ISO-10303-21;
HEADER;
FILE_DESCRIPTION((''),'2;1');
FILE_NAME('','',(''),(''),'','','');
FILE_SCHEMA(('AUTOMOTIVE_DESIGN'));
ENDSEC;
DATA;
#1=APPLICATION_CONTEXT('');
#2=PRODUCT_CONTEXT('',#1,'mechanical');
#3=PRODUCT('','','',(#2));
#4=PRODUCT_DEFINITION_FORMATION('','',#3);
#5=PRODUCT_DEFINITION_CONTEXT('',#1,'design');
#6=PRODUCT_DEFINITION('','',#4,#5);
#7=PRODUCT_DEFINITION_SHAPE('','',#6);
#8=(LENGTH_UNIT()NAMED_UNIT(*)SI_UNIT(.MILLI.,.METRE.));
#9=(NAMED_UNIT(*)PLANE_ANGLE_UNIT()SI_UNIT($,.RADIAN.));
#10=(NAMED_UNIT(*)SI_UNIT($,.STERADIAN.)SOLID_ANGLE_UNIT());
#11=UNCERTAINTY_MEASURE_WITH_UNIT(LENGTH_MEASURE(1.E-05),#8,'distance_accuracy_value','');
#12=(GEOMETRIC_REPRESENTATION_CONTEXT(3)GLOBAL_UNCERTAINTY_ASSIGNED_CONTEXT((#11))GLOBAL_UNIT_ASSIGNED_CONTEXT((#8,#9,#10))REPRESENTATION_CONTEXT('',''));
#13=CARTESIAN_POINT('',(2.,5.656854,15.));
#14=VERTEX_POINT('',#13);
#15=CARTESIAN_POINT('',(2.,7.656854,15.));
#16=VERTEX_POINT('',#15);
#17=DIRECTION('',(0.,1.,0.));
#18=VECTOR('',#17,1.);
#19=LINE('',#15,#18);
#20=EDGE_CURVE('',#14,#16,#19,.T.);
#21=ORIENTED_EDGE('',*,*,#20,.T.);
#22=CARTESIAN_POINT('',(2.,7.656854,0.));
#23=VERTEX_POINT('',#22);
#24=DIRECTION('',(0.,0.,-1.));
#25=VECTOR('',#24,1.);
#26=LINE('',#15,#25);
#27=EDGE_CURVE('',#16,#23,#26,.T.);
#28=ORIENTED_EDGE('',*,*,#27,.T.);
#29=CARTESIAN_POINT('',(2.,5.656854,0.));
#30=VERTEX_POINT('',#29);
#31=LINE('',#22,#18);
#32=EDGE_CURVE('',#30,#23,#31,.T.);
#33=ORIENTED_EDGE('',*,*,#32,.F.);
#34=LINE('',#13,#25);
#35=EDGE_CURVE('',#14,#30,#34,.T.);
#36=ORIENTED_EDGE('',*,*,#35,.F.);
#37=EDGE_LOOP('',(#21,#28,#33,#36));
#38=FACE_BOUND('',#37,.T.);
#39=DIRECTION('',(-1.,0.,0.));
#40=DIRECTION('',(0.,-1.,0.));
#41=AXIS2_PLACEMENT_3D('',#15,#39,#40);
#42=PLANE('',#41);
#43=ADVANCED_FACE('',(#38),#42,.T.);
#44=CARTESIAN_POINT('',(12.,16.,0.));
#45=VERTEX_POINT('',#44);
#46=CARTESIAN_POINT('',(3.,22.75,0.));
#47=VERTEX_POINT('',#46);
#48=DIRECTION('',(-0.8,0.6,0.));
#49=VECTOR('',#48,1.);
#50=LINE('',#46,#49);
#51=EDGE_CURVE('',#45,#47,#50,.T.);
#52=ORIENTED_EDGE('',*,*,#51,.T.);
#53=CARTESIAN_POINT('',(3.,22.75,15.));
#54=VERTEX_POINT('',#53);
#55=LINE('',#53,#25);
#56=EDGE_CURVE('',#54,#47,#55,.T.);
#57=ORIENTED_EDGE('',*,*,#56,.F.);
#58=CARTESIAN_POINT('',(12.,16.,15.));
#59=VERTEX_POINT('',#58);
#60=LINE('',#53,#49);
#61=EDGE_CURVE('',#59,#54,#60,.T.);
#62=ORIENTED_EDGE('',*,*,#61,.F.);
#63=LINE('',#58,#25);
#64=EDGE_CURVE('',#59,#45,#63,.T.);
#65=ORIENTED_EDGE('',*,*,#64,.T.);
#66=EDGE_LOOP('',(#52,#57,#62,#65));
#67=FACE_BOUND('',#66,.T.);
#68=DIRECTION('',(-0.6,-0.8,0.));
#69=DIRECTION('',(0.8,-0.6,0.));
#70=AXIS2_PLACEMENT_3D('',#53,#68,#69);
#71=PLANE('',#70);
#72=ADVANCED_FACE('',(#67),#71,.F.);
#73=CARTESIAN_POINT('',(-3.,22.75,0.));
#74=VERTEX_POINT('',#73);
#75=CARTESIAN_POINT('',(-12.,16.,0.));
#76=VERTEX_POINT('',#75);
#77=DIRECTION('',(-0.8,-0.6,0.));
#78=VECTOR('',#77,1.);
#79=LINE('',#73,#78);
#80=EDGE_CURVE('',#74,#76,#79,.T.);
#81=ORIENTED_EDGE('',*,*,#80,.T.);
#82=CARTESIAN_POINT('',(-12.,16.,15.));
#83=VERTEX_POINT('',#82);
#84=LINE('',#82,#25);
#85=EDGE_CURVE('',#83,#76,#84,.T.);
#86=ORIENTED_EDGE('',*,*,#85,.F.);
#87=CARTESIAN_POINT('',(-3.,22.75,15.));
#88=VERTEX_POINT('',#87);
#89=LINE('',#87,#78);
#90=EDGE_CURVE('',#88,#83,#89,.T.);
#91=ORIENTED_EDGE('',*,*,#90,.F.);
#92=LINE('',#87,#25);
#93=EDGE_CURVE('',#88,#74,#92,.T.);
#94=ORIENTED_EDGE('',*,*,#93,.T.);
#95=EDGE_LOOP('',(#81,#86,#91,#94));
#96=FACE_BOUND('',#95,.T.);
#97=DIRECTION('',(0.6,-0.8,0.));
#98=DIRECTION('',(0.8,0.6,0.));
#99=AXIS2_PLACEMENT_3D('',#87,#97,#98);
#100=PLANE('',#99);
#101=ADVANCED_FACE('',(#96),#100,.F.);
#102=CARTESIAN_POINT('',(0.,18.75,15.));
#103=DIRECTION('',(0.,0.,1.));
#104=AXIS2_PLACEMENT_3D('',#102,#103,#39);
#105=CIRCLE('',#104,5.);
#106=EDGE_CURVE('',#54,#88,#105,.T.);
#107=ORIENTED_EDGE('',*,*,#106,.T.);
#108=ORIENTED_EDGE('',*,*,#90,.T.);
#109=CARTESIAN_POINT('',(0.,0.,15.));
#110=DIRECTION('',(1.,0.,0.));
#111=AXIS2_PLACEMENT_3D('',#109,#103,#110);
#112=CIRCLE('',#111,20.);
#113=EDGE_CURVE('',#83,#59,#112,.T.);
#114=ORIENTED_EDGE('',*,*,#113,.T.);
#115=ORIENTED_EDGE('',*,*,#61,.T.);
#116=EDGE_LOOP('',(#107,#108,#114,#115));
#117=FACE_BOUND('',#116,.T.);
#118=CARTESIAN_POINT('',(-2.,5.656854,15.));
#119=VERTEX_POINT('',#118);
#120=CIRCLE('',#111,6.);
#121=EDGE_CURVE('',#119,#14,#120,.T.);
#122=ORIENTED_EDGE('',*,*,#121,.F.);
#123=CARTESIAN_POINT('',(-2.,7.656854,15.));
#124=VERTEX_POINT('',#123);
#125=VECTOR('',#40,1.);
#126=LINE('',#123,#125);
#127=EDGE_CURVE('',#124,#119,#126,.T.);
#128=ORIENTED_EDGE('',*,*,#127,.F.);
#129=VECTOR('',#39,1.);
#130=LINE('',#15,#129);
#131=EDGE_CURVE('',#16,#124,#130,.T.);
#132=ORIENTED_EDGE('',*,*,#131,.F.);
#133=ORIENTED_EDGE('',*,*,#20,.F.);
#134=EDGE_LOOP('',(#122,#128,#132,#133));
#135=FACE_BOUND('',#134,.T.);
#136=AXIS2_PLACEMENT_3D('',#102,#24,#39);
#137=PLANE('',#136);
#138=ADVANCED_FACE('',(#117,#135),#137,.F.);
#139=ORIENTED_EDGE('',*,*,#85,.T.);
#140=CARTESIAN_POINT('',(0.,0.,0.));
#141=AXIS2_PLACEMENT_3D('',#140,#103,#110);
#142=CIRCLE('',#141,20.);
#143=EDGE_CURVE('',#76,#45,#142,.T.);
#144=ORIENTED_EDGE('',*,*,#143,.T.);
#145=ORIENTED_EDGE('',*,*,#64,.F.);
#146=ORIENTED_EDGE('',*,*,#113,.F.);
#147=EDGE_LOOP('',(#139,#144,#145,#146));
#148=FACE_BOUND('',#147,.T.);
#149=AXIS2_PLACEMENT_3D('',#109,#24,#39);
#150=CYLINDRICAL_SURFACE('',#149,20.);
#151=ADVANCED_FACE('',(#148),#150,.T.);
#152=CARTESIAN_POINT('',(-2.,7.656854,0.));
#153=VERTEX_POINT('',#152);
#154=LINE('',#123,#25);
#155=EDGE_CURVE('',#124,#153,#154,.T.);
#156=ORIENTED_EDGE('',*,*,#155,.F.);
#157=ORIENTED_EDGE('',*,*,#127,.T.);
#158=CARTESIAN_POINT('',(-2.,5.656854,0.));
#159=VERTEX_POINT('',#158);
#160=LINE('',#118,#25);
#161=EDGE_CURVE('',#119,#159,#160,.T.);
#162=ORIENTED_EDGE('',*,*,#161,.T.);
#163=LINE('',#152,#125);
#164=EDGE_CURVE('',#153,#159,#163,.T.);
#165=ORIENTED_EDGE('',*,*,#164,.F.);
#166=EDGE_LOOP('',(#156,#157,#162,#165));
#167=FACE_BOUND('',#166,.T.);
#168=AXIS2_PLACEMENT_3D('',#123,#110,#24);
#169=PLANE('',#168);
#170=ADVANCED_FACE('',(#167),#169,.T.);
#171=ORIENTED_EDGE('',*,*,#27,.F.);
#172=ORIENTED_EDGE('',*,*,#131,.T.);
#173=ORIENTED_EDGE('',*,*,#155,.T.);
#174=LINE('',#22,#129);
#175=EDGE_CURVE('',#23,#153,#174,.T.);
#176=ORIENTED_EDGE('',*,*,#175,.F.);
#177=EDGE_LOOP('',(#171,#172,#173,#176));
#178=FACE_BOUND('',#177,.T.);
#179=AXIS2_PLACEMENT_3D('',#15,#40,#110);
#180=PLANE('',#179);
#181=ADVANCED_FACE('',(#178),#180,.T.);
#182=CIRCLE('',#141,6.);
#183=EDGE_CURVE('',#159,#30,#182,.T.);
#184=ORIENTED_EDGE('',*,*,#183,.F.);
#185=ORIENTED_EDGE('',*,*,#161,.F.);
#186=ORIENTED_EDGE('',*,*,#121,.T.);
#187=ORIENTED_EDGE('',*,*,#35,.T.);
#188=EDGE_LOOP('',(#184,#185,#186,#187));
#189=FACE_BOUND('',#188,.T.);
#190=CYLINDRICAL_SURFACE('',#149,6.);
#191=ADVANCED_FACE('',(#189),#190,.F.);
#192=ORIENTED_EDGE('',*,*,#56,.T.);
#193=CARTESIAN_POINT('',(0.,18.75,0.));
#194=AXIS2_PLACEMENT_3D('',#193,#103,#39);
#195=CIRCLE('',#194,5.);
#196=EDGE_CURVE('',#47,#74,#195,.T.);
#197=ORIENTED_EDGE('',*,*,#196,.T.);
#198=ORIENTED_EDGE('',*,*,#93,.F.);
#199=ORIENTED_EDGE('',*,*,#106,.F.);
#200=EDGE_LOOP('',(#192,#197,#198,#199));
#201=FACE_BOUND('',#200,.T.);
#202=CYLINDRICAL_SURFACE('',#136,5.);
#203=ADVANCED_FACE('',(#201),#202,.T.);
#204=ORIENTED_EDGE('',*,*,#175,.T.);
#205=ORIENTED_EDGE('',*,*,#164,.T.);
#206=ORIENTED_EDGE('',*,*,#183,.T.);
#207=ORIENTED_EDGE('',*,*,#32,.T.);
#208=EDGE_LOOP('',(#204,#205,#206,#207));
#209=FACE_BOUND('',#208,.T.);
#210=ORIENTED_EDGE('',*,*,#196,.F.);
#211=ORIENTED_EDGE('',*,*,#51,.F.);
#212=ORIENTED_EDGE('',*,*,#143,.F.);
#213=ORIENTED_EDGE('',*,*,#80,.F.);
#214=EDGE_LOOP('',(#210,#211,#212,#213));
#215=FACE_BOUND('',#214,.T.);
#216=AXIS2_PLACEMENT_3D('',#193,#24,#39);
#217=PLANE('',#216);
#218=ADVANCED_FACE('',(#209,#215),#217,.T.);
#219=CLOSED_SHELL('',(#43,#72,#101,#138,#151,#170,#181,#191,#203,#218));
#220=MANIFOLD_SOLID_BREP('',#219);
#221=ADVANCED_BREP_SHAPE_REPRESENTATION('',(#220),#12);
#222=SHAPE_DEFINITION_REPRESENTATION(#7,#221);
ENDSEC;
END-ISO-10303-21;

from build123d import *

# Parameters (mm, degrees)
BOSS_EXTRUDE1_DEPTH = 15


with BuildPart() as part:
    # Sketch1 → Boss-Extrude1 (new body)
    with BuildSketch(Plane.XY):
        with BuildLine():
            Line((-3, 22.75), (-12, 16))
            ThreePointArc((-12, 16), (0, -20), (12, 16))
            Line((12, 16), (3, 22.75))
            ThreePointArc((3, 22.75), (0, 23.75), (-3, 22.75))
        make_face()
        with BuildLine():
            Line((2, 7.656854249), (-2, 7.656854249))
            Line((-2, 7.656854249), (-2, 5.656854249))
            ThreePointArc((-2, 5.656854249), (0, -6), (2, 5.656854249))
            Line((2, 5.656854249), (2, 7.656854249))
        make_face(mode=Mode.SUBTRACT)
    extrude(amount=BOSS_EXTRUDE1_DEPTH)


solid = part.part
